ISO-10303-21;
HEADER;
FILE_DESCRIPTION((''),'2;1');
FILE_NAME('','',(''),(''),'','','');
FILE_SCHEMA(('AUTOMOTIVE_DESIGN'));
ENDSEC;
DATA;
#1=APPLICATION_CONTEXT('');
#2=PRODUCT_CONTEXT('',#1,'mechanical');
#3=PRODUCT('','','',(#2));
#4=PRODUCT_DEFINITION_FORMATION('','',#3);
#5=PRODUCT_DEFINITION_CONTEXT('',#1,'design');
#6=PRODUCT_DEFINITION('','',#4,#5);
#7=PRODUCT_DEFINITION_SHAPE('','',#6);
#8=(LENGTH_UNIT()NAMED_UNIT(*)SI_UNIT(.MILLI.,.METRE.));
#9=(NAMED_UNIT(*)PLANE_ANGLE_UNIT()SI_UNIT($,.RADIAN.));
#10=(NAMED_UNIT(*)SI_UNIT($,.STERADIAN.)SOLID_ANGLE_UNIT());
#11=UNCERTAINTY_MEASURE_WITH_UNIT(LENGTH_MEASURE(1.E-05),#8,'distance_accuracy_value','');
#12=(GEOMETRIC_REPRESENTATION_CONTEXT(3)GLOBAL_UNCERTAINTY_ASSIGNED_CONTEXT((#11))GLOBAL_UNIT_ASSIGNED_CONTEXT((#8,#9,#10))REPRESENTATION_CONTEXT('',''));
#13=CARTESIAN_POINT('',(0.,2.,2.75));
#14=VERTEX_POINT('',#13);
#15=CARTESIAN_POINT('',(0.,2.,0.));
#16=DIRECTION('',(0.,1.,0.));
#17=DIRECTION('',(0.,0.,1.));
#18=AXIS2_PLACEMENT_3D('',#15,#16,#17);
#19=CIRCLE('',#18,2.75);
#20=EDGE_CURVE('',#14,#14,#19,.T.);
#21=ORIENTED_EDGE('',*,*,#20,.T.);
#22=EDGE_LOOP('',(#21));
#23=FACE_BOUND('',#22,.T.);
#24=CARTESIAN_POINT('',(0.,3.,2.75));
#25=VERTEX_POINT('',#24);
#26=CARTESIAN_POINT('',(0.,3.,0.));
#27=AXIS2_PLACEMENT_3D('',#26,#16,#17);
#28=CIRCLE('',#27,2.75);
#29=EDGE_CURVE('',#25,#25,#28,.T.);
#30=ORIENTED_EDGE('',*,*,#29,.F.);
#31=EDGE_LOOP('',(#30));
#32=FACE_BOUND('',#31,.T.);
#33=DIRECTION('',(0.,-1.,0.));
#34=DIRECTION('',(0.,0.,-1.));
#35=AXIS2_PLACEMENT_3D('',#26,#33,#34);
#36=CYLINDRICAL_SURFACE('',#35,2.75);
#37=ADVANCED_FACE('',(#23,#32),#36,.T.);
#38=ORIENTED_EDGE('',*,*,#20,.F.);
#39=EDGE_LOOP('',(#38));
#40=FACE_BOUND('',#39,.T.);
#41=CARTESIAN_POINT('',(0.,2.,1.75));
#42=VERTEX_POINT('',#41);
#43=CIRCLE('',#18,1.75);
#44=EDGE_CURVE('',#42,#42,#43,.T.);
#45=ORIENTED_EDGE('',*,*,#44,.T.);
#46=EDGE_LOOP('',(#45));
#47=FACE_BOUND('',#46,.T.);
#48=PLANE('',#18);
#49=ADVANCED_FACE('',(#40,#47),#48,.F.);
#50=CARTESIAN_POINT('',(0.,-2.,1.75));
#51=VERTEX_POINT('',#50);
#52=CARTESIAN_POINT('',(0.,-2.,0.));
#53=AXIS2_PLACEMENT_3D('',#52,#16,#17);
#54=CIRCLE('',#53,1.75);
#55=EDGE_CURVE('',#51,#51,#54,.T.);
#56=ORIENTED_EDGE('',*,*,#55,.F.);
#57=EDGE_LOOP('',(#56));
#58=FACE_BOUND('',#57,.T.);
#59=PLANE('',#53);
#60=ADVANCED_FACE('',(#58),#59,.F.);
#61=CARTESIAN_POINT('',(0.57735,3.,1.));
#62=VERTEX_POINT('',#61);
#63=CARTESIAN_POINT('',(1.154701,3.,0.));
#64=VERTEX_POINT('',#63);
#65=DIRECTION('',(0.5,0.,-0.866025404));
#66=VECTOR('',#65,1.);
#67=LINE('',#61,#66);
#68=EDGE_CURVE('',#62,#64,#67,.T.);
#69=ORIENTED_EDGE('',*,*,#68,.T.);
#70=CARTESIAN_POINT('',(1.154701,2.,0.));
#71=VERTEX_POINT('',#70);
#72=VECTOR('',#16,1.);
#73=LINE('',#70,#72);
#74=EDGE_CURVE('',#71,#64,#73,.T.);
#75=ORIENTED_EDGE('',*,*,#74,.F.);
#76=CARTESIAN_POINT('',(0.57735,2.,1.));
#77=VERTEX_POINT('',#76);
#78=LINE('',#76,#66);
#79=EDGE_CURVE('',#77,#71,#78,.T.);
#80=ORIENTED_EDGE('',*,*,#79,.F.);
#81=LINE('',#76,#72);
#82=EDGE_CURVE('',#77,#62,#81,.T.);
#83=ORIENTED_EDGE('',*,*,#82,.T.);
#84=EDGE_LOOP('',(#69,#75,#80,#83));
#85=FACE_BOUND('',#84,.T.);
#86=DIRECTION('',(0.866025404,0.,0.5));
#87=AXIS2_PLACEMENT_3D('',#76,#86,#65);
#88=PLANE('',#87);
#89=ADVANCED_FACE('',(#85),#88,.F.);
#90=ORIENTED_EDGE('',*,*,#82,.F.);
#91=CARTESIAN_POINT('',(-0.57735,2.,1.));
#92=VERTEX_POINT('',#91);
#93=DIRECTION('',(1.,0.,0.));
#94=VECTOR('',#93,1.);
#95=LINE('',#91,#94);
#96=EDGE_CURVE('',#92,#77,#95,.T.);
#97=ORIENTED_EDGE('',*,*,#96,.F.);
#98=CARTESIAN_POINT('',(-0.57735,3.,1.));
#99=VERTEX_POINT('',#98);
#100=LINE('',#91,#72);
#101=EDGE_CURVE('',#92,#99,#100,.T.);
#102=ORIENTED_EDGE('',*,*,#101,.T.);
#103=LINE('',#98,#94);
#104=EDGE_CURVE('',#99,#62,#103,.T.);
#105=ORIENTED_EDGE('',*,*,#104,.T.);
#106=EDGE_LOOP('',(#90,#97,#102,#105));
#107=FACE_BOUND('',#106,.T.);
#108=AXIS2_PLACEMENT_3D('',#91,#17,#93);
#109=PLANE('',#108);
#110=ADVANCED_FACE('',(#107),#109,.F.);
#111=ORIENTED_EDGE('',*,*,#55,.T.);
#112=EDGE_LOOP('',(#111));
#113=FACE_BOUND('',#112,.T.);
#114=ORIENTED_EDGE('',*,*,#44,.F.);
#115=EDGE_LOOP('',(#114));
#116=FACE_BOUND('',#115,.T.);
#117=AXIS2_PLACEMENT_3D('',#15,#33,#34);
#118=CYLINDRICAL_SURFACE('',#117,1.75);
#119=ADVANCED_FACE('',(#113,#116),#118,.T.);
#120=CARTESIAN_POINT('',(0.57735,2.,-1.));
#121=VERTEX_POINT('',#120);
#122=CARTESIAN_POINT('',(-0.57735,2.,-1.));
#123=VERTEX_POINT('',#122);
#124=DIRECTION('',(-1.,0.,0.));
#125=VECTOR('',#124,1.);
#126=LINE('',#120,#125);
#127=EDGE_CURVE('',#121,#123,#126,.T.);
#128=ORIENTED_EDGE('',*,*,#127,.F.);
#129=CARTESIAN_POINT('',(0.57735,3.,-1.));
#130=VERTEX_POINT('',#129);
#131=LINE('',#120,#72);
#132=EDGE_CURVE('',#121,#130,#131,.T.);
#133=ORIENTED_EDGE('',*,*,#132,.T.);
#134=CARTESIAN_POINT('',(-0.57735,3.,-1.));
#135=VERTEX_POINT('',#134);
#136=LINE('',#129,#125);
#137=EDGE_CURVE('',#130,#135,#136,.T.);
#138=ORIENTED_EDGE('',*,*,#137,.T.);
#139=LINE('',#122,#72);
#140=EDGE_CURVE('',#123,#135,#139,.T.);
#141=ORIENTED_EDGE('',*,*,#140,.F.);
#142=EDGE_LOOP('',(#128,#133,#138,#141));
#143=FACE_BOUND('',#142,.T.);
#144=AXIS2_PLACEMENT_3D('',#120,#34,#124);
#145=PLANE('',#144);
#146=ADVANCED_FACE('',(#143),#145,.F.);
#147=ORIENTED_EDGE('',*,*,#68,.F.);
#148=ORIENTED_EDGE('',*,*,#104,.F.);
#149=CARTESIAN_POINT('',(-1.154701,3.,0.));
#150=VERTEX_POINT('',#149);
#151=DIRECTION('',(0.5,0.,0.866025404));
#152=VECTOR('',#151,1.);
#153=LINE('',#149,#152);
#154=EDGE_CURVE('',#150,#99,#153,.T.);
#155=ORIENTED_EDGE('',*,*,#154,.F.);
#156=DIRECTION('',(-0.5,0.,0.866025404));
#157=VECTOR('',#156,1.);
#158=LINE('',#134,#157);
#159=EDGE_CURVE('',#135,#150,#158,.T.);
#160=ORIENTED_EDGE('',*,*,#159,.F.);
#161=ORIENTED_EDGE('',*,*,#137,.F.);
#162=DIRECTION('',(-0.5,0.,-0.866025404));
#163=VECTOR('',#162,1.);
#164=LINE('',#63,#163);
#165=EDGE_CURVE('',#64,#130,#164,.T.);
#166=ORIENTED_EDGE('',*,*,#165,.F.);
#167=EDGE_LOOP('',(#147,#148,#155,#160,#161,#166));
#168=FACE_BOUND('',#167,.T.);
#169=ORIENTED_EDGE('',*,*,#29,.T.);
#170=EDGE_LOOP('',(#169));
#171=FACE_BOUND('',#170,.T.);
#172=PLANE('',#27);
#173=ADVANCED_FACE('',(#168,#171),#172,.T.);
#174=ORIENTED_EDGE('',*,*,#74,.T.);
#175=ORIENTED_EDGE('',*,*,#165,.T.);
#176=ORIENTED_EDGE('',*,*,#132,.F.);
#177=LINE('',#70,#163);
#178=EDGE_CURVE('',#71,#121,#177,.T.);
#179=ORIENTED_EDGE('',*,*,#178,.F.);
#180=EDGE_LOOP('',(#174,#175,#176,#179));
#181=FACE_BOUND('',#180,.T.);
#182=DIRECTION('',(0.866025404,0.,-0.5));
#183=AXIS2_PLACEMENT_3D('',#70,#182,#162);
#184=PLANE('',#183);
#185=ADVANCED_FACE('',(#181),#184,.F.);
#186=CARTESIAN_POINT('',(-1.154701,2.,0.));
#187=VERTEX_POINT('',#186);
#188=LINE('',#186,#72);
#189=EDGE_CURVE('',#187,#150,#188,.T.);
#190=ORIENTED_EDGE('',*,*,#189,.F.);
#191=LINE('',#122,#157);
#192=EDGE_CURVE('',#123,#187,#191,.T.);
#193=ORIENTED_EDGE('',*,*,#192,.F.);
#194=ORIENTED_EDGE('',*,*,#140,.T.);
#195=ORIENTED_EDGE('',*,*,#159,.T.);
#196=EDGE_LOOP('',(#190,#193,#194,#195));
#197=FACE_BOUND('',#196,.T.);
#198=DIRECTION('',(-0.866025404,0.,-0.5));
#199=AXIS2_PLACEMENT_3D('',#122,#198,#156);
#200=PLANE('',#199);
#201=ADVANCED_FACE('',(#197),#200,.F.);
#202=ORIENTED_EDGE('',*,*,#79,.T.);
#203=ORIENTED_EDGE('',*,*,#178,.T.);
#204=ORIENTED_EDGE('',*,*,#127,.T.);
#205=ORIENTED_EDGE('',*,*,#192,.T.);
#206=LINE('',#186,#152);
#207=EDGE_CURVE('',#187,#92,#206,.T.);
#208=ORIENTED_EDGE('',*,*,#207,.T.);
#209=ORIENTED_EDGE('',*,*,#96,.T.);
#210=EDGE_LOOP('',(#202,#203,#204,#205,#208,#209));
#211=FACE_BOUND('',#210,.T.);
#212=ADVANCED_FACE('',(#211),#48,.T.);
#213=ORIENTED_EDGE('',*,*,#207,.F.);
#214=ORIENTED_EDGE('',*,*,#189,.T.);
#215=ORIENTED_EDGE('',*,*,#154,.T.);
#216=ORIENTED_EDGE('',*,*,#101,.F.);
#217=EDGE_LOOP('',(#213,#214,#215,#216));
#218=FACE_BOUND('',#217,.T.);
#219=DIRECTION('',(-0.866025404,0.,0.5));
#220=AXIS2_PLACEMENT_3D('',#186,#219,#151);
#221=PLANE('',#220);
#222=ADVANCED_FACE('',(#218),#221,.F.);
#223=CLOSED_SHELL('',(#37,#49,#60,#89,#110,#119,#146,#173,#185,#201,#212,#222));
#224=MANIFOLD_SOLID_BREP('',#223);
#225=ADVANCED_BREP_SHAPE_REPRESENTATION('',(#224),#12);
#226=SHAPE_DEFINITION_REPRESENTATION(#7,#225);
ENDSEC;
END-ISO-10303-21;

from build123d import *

# Parameters (mm, degrees)
SKETCH1_R           = 1.75
BOSS_EXTRUDE1_DEPTH = 2
SKETCH2_R           = 2.75
BOSS_EXTRUDE2_DEPTH = 1
CUT_EXTRUDE1_DEPTH  = 1


with BuildPart() as part:
    # Sketch1 → Boss-Extrude1 (new, symmetric)
    with BuildSketch(Plane(origin=(0, 0, 0), x_dir=(1, 0, 0), z_dir=(0, 1, 0))):
        with Locations(Location((0, 0, 0), (0, 0, 270))):
            Circle(SKETCH1_R)
    extrude(amount=BOSS_EXTRUDE1_DEPTH, both=True)

    # Sketch2 → Boss-Extrude2 (add)
    with BuildSketch(Plane(origin=(0, 2, 0), x_dir=(1, 0, 0), z_dir=(0, 1, 0))):
        with Locations(Location((0, 0, 0), (0, 0, 270))):
            Circle(SKETCH2_R)
    extrude(amount=BOSS_EXTRUDE2_DEPTH)

    # Sketch3 → Cut-Extrude1 (cut)
    with BuildSketch(Plane(origin=(0, 3, 0), x_dir=(1, 0, 0), z_dir=(0, 1, 0))):
        Polygon((1.154700538, 0), (0.577350269, 1), (-0.577350269, 1), (-1.154700538, 0), (-0.577350269, -1), (0.577350269, -1), align=None)
    extrude(amount=-CUT_EXTRUDE1_DEPTH, mode=Mode.SUBTRACT)


solid = part.part
